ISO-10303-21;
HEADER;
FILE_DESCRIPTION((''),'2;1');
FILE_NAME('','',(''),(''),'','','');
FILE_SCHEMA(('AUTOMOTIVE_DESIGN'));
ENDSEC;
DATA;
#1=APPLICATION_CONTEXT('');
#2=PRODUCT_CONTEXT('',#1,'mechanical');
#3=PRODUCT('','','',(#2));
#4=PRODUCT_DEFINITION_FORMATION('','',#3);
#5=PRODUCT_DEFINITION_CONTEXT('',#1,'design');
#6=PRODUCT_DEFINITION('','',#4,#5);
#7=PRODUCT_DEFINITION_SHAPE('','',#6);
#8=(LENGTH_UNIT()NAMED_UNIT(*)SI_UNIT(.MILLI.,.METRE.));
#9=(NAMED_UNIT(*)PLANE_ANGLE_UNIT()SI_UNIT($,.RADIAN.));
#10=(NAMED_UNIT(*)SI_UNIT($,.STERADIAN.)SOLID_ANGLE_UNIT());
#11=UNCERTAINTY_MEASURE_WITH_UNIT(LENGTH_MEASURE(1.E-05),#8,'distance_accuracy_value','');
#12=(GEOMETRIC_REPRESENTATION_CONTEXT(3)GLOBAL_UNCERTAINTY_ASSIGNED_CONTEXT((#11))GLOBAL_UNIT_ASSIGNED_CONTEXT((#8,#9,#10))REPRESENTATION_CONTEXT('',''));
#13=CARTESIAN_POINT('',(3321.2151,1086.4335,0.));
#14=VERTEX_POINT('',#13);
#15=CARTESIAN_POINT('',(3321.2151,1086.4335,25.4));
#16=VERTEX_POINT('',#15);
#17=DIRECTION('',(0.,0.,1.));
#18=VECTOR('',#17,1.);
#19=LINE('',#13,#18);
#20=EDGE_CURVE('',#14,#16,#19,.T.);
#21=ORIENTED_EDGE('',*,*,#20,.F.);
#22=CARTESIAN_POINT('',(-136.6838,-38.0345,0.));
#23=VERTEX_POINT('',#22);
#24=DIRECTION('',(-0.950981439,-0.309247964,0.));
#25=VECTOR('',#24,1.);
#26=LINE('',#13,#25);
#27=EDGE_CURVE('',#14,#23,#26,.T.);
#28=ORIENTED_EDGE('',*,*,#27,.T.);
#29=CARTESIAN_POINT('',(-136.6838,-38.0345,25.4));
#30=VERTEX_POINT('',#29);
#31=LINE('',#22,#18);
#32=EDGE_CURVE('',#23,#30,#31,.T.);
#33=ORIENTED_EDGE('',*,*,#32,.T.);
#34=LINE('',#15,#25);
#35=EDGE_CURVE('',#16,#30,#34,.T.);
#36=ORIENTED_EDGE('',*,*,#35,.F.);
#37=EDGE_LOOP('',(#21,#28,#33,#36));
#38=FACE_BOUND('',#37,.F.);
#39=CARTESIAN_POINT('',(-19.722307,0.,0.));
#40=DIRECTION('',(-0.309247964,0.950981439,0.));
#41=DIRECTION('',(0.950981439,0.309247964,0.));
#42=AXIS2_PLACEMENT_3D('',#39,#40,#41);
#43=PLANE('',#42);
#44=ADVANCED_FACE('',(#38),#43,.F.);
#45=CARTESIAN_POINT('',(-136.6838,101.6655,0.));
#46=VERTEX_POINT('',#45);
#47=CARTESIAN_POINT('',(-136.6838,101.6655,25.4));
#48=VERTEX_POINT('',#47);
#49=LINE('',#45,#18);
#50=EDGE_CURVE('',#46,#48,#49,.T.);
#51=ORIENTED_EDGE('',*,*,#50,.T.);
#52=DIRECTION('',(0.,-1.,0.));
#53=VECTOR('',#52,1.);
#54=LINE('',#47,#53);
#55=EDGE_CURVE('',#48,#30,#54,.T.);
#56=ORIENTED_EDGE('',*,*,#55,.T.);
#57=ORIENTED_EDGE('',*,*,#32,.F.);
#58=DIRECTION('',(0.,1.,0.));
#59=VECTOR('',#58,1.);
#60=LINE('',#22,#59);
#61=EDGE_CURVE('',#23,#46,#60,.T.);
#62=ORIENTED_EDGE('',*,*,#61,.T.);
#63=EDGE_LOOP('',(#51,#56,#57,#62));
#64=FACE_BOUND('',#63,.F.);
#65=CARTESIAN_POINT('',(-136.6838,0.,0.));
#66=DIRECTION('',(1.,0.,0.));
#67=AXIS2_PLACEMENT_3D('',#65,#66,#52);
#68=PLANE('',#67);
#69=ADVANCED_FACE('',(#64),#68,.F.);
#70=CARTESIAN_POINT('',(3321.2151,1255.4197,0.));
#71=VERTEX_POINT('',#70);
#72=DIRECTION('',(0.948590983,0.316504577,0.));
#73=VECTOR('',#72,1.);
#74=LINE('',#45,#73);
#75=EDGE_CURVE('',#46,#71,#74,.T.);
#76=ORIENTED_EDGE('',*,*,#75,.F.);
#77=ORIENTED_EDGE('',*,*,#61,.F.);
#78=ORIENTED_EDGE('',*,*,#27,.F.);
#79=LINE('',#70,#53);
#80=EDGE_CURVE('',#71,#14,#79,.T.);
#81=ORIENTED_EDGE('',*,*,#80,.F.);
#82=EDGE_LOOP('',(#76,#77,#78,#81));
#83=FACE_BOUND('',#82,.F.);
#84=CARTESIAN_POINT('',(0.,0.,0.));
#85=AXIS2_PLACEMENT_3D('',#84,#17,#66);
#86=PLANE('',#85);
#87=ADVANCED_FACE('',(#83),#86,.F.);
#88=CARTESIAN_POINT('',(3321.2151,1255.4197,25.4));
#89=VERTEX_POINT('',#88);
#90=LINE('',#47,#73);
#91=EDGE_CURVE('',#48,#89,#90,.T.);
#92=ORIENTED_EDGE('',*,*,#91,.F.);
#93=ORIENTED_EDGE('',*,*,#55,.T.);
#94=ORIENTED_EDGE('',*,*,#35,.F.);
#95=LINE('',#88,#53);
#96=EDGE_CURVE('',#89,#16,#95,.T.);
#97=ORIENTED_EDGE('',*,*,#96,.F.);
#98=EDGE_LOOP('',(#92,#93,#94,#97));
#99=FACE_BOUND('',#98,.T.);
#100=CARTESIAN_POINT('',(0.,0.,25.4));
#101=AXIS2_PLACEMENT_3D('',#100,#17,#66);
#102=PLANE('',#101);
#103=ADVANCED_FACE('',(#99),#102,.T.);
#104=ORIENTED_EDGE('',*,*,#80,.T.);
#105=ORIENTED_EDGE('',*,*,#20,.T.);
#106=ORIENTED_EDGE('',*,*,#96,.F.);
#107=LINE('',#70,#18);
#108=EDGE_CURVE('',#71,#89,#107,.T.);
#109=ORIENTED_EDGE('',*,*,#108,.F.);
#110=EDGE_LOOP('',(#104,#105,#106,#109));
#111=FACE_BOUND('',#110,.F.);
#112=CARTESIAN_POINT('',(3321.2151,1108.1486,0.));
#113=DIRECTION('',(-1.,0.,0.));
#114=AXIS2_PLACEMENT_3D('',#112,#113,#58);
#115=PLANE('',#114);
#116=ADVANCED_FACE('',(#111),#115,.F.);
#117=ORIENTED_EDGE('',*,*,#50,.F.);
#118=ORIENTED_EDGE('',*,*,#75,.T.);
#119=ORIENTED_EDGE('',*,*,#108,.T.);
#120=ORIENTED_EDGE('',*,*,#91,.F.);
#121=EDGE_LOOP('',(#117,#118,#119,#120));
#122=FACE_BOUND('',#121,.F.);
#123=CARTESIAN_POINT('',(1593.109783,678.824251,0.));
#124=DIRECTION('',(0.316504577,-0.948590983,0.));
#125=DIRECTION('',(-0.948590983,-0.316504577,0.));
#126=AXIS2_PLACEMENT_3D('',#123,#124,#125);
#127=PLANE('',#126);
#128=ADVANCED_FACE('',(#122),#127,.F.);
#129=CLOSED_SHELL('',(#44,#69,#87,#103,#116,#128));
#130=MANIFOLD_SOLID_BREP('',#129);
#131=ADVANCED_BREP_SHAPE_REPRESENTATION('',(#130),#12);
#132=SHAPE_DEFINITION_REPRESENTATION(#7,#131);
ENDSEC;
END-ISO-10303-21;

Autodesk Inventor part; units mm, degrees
ref_plane "XZ Plane" through (0, 0, 0) normal (0, 1, 0) x (-1, 0, 0)
ref_plane "XY Plane" through (0, 0, 0) normal (0, 0, 1) x (1, 0, 0)
sketch "Sketch1" plane through (0, 0, 0) normal (0, 0, 1) x (1, 0, 0)
  line L0 (0, 0) -> (3321.2151, 1108.1486)
  line L1 (3321.2151, 1255.4197) -> (-136.6838, 101.6655)
  line L2 (0, 0) -> (-136.6838, 0)
  line L3 (-136.6838, 0) -> (-136.6838, 101.6655)
  line L4 (-136.6838, 101.6655) -> (1593.1098, 678.8242)
  line L5 (3321.2151, 1108.1486) -> (3263.9, 1108.1486)
  line L6 (3321.2151, 1108.1486) -> (3321.2151, 1255.4197)
  line L7 (-88.9, 0) -> (-88.9, 117.6089)
  line L8 (3263.9, 1089.025) -> (3263.9, 1236.2961)
  line L9 (-136.6838, 101.6655) -> (-136.6838, -38.0345)
  line L10 (-136.6838, -38.0345) -> (3321.2151, 1086.4335)
  line L11 (3321.2151, 1086.4335) -> (3321.2151, 1108.1486)
  dimension "d5" = 139.7
  dimension "d17" = 88.9
  dimension "d19" = 3352.8
  dimension "d23" = 57.3151
  dimension "d28" = 47.7837
  dimension "d33" = 1089.025
  dimension "d36" = 139.7
  dimension "d37" = 168.9862
extrude "Extrusion2" add sketch "Sketch1" along normal blind 25.4 contours L8 L5 L0 | L0 L11 L10 | L0 L10 L2 L7 L1 L8 | L5 L8 L1 L6 | L10 L9 L2 | L2 L3 L1 L7
ref_plane "Work Plane2" through (-136.6838, -38.0345, 0) normal (0, 1, 0) x (0, 0, 1)
properties part number "Fascia_For_Side"
